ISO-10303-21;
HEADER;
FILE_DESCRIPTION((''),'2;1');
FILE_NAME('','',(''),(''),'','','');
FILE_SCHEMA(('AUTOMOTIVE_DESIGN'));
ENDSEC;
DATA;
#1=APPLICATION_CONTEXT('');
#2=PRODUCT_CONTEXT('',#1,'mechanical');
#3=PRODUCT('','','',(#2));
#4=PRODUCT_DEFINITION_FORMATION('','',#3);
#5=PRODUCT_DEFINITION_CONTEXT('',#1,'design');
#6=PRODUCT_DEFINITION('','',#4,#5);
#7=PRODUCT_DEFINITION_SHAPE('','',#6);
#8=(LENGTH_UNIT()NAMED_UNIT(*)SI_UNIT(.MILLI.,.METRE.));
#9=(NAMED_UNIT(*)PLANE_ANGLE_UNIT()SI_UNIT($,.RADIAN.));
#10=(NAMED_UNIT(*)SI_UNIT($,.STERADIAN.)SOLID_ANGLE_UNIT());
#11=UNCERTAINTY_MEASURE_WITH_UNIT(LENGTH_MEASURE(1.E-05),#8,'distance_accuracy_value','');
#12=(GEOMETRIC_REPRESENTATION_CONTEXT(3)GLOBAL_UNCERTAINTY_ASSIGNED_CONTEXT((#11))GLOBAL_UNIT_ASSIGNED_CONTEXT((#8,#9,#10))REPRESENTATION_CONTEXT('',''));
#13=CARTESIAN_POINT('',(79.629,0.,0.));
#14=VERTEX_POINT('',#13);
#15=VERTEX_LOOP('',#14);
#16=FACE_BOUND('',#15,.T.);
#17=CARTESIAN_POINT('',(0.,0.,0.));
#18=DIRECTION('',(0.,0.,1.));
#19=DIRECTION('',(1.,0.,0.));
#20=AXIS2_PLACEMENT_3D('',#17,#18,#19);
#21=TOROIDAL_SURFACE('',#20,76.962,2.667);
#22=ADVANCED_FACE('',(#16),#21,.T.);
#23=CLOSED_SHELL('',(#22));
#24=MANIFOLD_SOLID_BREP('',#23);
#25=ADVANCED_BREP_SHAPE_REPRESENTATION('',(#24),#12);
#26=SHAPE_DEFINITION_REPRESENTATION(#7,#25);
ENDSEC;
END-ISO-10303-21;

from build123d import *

# Parameters (mm, degrees)
SKETCH1_R = 2.667


with BuildPart() as part:
    # Sketch1 → Revolve1 (revolve)
    with BuildSketch(Plane(origin=(0, 0, 0), x_dir=(0, -1, 0), z_dir=(1, 0, 0)), mode=Mode.PRIVATE) as revolve1_sk:
        with Locations((76.962, 0)):
            Circle(SKETCH1_R)
    revolve(revolve1_sk.sketch.rotate(Axis((0, 0, 2.667), (0, 0, -1)), 270), axis=Axis((0, 0, 2.667), (0, 0, -1)))


solid = part.part
